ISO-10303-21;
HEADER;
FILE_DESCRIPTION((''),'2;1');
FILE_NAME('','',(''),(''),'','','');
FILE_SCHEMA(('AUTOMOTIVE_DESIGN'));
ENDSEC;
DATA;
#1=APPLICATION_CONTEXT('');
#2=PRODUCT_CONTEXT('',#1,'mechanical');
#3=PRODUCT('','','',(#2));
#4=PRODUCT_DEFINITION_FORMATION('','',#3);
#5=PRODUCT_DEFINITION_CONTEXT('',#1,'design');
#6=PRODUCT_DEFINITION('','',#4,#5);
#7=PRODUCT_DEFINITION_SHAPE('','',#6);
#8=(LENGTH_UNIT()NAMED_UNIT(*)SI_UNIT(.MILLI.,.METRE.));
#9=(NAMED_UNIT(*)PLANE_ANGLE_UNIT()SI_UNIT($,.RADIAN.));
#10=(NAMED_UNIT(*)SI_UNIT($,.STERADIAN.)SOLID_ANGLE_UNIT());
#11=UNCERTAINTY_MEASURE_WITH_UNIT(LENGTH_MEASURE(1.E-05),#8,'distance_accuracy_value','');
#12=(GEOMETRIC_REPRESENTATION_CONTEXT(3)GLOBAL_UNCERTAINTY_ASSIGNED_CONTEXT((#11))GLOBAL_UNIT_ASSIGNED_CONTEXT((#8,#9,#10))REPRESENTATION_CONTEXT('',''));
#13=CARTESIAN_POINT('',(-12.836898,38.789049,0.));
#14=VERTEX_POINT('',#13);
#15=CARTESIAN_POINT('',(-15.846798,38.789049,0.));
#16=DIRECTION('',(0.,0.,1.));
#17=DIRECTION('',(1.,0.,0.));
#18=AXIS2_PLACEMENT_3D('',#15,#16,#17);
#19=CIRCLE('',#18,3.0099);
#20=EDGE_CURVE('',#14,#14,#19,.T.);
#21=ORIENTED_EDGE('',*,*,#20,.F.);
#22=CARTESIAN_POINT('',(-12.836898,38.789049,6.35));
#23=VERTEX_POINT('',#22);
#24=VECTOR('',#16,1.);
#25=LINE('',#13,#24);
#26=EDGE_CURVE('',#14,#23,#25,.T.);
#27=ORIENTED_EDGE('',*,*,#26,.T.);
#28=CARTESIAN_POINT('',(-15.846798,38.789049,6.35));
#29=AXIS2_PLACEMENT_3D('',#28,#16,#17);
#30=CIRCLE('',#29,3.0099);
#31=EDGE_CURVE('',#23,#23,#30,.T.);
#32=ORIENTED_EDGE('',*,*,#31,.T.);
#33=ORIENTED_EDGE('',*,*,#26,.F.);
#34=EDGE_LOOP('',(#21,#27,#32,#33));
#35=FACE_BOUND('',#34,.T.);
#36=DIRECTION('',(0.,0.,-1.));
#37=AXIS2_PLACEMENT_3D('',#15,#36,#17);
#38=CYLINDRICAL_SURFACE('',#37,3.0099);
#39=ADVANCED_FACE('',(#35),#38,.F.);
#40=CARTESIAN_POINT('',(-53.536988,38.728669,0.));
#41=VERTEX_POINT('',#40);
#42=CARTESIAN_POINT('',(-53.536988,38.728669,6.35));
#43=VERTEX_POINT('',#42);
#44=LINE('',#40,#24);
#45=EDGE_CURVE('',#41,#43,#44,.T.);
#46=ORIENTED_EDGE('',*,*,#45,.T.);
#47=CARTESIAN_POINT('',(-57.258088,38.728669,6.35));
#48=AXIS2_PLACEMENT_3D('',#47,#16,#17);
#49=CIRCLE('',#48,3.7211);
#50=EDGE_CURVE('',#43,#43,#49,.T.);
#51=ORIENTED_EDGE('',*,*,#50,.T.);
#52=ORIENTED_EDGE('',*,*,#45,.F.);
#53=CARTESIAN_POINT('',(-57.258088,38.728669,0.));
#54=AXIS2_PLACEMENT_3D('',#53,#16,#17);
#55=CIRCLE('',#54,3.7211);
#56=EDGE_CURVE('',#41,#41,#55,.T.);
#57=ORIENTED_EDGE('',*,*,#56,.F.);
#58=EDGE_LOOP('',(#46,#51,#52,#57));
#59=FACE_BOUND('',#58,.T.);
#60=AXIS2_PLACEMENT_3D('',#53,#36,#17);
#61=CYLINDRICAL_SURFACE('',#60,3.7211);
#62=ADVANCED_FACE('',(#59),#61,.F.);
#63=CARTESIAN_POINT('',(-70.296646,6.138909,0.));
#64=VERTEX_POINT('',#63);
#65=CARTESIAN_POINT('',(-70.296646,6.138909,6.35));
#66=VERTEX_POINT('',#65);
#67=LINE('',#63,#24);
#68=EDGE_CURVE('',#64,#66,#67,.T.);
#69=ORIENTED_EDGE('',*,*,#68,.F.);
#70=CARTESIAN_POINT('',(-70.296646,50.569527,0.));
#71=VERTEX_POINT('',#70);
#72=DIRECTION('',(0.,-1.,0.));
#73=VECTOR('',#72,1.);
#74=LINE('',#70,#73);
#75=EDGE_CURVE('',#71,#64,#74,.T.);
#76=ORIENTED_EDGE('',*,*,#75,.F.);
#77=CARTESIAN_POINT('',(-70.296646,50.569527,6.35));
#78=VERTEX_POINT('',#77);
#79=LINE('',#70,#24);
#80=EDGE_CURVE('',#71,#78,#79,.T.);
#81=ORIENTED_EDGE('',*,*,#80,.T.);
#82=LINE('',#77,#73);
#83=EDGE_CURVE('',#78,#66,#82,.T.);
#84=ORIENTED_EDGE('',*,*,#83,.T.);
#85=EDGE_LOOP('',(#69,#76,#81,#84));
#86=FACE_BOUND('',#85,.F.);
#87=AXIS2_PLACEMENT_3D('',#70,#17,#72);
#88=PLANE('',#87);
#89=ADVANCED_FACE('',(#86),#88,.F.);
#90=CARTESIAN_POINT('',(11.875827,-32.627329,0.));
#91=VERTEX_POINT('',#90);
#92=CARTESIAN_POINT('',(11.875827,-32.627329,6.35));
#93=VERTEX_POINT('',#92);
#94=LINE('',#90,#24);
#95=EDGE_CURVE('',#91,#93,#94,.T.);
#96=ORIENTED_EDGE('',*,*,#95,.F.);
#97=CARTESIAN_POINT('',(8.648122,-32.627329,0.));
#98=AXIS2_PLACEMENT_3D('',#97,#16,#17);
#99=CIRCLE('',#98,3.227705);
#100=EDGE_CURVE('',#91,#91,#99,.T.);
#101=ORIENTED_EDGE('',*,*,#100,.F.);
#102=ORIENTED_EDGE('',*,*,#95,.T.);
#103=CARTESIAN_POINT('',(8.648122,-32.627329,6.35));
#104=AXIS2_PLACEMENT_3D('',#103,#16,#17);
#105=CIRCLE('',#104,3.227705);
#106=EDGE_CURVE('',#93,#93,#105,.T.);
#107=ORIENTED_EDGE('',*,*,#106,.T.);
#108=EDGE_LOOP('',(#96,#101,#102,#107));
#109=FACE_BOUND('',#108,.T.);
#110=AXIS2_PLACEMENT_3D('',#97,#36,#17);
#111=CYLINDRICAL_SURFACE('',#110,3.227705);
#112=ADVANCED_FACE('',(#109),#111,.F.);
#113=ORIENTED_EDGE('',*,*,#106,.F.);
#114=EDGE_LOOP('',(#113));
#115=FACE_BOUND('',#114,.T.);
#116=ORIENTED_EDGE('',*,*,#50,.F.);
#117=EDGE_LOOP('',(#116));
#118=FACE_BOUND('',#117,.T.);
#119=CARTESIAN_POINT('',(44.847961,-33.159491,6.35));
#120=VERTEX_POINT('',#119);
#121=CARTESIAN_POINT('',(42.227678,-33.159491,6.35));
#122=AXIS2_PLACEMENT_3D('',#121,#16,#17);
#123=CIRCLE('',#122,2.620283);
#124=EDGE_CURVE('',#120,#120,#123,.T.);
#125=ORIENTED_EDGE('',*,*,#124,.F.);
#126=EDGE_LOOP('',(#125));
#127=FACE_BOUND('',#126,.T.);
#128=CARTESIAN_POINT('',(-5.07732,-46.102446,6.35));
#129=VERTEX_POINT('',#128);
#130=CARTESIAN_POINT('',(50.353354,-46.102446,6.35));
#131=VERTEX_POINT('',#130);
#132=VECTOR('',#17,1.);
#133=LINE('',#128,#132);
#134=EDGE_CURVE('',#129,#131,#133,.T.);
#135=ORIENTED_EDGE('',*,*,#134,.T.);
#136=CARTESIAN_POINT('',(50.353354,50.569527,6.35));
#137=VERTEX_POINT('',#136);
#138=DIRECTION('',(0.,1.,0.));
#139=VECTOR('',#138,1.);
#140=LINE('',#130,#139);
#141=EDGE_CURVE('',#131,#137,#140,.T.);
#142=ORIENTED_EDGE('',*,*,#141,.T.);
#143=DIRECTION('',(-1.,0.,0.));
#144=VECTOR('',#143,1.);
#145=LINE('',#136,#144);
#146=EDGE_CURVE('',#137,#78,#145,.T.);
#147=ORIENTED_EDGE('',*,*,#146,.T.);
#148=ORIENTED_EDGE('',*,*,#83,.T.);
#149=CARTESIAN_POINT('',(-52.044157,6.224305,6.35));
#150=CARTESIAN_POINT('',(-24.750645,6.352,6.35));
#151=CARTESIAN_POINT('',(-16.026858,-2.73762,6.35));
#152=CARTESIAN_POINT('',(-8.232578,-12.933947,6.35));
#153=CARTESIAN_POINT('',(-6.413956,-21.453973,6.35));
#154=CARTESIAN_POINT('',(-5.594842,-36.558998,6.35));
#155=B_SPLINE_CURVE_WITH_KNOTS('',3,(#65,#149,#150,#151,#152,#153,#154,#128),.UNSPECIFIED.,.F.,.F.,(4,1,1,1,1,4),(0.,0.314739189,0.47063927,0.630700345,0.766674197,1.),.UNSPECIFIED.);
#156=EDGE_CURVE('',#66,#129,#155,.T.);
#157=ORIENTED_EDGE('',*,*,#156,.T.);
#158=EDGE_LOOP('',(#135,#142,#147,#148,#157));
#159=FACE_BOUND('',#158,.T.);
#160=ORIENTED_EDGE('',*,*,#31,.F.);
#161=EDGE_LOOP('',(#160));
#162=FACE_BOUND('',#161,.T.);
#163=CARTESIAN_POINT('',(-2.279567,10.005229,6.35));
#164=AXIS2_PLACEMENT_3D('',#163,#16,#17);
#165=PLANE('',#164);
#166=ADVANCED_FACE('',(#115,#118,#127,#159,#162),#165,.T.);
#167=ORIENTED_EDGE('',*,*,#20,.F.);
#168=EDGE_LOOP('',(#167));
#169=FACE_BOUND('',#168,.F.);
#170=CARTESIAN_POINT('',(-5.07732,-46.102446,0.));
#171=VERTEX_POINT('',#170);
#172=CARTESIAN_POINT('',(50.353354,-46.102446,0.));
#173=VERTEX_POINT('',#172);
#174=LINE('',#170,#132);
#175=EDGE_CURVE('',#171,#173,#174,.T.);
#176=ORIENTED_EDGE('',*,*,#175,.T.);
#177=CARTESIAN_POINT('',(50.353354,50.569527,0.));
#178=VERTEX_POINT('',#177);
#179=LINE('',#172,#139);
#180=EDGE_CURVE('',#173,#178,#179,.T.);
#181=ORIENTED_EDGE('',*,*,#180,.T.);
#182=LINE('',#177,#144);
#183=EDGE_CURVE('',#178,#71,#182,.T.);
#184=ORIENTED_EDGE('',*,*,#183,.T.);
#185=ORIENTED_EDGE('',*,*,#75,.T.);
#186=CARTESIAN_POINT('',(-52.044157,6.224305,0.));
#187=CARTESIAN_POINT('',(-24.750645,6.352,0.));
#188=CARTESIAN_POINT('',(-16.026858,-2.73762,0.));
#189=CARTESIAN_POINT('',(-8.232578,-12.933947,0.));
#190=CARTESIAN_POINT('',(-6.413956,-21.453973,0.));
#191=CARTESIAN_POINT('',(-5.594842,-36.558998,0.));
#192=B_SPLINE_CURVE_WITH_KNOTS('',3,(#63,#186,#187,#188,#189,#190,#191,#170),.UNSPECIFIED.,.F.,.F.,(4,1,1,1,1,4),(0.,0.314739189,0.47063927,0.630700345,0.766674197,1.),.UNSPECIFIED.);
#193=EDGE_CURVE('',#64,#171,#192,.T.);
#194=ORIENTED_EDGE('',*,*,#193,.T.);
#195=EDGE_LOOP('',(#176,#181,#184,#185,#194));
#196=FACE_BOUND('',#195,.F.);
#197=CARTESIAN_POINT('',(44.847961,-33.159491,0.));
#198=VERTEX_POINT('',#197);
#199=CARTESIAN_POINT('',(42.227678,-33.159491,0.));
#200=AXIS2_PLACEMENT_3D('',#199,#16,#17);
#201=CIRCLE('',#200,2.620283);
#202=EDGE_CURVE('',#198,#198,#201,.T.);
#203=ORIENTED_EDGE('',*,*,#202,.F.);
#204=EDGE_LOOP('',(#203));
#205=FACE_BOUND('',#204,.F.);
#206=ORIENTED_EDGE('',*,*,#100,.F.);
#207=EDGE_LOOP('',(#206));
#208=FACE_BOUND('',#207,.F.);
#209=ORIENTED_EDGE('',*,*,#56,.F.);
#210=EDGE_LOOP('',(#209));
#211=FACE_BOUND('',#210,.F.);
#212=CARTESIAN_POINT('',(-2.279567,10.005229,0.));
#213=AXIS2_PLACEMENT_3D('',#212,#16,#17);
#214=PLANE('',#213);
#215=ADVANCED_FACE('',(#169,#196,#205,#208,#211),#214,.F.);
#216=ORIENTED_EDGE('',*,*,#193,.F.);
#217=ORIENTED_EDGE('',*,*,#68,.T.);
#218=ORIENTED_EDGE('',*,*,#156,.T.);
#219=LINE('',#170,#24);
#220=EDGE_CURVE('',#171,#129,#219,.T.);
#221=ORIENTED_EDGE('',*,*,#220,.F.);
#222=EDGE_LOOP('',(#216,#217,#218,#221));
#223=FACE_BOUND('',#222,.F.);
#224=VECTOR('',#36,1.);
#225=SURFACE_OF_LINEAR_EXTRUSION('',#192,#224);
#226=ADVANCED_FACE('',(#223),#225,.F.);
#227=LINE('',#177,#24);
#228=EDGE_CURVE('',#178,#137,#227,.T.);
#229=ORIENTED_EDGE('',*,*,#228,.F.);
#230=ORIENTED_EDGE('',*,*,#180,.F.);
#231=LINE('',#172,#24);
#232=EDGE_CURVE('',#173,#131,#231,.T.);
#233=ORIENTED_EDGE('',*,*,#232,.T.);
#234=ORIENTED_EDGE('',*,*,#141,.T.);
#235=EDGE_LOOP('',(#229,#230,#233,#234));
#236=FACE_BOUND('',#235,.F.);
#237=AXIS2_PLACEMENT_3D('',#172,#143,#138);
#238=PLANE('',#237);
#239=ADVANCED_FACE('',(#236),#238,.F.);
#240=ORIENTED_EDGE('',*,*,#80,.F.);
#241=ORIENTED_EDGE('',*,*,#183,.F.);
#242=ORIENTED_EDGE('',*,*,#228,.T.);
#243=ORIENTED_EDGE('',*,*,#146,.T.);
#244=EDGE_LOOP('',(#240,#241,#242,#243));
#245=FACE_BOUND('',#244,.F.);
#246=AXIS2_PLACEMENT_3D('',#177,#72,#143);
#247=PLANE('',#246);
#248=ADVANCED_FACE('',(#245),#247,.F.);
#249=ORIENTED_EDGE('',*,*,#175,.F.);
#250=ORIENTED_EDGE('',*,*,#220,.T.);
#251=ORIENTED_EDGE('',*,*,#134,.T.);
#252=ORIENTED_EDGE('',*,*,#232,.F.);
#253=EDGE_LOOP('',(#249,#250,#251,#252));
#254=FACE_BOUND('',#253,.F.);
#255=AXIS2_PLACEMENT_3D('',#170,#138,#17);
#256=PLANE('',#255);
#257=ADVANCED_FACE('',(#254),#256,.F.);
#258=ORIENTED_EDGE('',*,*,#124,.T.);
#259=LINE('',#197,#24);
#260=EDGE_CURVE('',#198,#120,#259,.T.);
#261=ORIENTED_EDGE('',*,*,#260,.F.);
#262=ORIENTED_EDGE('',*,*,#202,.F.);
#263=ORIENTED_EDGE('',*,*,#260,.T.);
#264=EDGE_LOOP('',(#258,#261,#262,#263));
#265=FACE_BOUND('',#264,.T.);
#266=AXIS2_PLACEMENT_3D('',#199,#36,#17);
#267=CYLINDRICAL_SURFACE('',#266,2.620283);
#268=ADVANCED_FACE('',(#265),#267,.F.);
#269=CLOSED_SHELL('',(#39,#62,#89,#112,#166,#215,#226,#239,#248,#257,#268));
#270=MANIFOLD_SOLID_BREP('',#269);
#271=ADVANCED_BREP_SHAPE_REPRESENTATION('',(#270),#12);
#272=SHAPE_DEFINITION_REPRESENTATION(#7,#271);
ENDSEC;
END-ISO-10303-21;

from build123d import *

# Parameters (mm, degrees)
F0_R     = 3.227705
F0_R_2   = 2.6202831703
F0_R_3   = 3.7211
F0_R_4   = 3.0099
F1_DEPTH = 6.35


with BuildPart() as f1:
    # F0 (on Top) → F1 (new body)
    with BuildSketch(Plane.XY):
        with BuildLine():
            Line((50.3533543698, 50.5695272586), (-70.2966456302, 50.5695272586))
            Line((-70.2966456302, 50.5695272586), (-70.2966456302, 6.1389088832))
            add(Edge.make_bspline(
                [(-70.2966456302, 6.1389088832), (-52.0441571305, 6.2243048177), (-24.7506450339, 6.3520000068), (-16.0268583665, -2.7376199674), (-8.2325781541, -12.9339469203), (-6.413955806, -21.4539728098), (-5.5948416135, -36.5589979729), (-5.0773202083, -46.1024461493)],
                knots=[0, 0, 0, 0, 0.3147391889, 0.4706392699, 0.6307003445, 0.7666741971, 1, 1, 1, 1], degree=3))
            Line((-5.0773202083, -46.1024461493), (50.3533543698, -46.1024461493))
            Line((50.3533543698, -46.1024461493), (50.3533543698, 50.5695272586))
        make_face()
        with Locations((8.6481217295, -32.6273292303)):
            Circle(F0_R, mode=Mode.SUBTRACT)
        with Locations((42.2276780009, -33.1594906747)):
            Circle(F0_R_2, mode=Mode.SUBTRACT)
        with Locations((-57.2580881417, 38.7286692858)):
            Circle(F0_R_3, mode=Mode.SUBTRACT)
        with Locations((-15.8467981964, 38.7890487909)):
            Circle(F0_R_4, mode=Mode.SUBTRACT)
    extrude(amount=F1_DEPTH)


solid = f1.part
